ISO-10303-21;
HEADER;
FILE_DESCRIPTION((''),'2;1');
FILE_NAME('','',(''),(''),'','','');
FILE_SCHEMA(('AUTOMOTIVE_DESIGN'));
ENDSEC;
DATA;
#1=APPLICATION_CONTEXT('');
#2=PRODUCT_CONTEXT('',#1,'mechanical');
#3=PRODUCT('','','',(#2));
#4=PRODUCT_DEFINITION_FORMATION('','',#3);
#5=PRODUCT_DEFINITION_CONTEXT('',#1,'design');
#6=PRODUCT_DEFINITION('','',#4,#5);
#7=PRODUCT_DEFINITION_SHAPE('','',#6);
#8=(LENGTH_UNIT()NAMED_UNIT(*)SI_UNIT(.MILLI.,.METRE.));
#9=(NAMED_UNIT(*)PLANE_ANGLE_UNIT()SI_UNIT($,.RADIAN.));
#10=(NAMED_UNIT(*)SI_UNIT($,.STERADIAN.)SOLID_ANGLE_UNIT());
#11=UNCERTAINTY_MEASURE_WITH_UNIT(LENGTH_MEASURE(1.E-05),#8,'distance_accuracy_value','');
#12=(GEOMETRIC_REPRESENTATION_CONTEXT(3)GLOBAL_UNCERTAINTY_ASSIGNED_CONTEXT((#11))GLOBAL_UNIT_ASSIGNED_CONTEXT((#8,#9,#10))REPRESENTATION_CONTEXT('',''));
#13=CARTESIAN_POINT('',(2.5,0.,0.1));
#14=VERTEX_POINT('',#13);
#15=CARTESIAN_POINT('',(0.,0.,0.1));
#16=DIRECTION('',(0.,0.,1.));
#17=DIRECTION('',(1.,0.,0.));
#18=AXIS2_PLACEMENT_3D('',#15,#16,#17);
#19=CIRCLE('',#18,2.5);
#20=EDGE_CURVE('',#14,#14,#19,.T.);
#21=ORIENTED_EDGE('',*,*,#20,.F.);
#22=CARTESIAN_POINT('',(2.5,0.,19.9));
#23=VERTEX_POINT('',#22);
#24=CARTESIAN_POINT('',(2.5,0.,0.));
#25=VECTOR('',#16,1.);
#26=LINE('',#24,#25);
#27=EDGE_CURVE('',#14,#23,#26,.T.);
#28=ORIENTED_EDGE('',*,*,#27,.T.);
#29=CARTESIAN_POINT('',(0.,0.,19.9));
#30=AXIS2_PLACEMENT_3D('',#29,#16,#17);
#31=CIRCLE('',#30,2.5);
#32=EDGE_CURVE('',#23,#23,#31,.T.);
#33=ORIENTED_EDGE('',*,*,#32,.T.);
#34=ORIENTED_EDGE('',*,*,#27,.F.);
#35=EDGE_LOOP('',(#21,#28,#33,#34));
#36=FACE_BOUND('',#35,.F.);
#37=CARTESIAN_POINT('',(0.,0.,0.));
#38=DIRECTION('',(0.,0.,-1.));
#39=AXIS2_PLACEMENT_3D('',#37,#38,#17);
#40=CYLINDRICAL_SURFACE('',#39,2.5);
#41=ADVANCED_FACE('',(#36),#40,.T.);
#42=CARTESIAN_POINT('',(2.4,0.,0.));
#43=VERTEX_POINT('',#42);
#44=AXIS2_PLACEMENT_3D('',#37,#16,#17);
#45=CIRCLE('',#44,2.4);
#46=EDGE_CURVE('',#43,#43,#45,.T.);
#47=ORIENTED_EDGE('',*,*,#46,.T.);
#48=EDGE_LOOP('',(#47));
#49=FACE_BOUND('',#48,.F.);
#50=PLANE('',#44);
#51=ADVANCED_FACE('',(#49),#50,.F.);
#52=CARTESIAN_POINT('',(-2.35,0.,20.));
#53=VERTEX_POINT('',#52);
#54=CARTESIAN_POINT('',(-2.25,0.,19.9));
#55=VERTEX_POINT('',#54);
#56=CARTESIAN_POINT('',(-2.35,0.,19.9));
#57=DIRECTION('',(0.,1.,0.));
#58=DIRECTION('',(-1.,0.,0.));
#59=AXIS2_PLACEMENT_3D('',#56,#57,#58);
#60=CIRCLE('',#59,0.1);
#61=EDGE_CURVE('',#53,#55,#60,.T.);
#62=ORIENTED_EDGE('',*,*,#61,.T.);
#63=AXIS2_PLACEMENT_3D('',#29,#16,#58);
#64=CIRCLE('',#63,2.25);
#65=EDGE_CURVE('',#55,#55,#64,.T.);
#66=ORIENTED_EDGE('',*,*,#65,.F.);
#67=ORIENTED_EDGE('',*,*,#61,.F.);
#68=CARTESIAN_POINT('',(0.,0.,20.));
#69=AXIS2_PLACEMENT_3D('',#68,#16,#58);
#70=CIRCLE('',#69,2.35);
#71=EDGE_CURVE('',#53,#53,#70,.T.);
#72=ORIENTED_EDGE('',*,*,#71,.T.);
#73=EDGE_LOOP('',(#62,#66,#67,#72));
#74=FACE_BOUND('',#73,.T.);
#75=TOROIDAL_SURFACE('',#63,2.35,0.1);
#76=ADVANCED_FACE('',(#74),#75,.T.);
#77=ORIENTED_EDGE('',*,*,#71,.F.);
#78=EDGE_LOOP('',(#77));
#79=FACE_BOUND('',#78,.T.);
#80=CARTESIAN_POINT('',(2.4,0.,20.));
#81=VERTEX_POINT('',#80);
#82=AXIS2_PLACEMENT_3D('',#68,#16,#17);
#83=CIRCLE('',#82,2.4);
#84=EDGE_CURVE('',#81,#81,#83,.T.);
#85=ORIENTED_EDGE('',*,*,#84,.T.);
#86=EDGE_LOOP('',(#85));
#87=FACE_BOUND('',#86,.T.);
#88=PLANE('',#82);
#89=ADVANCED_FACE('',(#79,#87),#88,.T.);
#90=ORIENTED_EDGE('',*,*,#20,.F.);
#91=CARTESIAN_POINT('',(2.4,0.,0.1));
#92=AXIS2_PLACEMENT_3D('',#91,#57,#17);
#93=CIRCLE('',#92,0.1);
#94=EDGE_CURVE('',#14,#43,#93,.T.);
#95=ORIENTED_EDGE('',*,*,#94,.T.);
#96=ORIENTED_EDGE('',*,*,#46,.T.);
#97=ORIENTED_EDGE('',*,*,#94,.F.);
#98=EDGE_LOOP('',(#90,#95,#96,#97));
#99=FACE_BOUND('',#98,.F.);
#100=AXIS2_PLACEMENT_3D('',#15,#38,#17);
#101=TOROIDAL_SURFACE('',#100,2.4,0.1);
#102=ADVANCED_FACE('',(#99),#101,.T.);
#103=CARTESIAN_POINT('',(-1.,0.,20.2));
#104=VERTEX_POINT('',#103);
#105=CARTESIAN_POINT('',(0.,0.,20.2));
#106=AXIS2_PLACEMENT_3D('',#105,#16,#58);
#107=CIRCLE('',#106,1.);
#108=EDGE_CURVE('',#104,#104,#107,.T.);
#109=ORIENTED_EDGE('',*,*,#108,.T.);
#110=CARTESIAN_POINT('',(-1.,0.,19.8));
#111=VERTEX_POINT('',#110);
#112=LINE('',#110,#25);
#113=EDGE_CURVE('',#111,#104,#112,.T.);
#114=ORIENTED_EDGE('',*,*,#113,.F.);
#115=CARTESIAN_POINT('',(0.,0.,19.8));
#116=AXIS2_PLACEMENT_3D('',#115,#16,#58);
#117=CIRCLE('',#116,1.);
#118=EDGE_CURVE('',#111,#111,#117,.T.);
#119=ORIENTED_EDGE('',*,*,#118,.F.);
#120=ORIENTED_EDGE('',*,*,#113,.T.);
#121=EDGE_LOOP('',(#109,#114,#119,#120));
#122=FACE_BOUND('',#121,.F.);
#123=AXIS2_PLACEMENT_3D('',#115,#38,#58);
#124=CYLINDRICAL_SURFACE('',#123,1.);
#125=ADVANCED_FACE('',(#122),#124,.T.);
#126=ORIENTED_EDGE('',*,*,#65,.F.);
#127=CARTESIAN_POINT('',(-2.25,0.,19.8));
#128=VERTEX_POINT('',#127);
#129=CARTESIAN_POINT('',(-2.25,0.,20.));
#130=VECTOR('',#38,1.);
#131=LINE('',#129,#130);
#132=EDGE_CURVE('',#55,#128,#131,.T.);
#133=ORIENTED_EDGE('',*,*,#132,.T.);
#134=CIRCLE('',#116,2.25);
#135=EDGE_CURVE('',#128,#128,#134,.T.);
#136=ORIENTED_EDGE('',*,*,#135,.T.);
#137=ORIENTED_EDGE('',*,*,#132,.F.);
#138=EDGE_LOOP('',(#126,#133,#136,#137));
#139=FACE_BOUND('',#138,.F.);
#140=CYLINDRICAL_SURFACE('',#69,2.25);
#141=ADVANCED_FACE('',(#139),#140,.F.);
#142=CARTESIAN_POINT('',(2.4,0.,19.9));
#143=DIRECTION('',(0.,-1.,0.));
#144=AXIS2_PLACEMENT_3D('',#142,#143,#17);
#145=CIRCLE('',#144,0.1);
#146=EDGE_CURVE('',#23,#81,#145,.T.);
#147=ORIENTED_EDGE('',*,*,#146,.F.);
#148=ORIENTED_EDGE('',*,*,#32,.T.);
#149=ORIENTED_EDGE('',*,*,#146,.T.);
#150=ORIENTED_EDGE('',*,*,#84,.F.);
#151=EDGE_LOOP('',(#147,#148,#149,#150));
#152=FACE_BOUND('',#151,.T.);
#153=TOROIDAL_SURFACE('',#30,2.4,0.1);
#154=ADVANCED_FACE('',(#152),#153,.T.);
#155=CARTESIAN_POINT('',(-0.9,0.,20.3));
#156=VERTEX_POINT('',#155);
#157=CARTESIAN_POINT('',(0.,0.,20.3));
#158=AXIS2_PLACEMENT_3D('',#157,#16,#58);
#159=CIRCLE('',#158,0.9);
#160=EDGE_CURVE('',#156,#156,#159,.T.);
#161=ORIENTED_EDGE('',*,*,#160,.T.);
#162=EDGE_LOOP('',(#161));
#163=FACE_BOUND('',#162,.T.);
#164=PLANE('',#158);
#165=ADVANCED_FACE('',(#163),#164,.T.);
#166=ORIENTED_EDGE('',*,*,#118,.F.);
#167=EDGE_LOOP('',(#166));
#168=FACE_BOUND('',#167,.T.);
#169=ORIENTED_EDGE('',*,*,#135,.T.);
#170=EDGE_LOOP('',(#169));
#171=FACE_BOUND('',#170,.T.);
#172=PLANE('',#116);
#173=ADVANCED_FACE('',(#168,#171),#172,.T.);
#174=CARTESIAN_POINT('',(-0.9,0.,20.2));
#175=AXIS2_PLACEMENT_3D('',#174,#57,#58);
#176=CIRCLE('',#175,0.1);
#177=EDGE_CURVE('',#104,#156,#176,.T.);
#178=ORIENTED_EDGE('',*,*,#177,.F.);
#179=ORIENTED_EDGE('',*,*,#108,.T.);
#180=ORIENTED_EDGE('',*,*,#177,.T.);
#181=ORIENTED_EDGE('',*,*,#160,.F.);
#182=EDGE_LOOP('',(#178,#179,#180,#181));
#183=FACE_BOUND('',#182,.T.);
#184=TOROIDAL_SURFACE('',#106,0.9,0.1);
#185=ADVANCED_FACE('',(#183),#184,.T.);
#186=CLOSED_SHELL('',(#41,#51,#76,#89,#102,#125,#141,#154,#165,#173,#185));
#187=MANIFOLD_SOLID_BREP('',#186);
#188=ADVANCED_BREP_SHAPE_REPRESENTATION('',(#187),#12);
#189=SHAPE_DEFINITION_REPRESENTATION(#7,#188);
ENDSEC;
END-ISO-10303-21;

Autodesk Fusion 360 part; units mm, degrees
sketch "Sketch1" plane through (0, 0, 0) normal (0, 0, 1) x (1, 0, 0)
  circle A0 centre (0, 0) radius 2.5
  dimension "d1" = 5
extrude "Extrude1" add sketch "Sketch1" along normal blind 20
fillet "Fillet1" radius 0.1 1 edges at (-2.3308, -0.904, 0)
fillet "Fillet2" radius 0.1 1 edges at (-2.3308, -0.904, 20)
sketch "Sketch2" plane through (0, 0, 20) normal (0, 0, 1) x (-1, 0, 0)
  circle A0 centre (0, 0) radius 2.4
  circle A1 centre (0, 0) radius 2.25
  dimension "d8" = 4.5
extrude "Extrude2" cut sketch "Sketch2" against normal blind 0.2 contours A1
fillet "Fillet3" radius 0.1 1 edges at (2.0977, -0.8136, 20)
sketch "Sketch3" plane through (0, 0, 19.8) normal (0, 0, 1) x (-1, 0, 0)
  circle A0 centre (0, 0) radius 2.25
  circle A1 centre (0, 0) radius 1
  dimension "d13" = 2
extrude "Extrude3" add sketch "Sketch3" along normal blind 0.5 contours A1
fillet "Fillet4" radius 0.1 1 edges at (0.9323, 0.3616, 20.3)
